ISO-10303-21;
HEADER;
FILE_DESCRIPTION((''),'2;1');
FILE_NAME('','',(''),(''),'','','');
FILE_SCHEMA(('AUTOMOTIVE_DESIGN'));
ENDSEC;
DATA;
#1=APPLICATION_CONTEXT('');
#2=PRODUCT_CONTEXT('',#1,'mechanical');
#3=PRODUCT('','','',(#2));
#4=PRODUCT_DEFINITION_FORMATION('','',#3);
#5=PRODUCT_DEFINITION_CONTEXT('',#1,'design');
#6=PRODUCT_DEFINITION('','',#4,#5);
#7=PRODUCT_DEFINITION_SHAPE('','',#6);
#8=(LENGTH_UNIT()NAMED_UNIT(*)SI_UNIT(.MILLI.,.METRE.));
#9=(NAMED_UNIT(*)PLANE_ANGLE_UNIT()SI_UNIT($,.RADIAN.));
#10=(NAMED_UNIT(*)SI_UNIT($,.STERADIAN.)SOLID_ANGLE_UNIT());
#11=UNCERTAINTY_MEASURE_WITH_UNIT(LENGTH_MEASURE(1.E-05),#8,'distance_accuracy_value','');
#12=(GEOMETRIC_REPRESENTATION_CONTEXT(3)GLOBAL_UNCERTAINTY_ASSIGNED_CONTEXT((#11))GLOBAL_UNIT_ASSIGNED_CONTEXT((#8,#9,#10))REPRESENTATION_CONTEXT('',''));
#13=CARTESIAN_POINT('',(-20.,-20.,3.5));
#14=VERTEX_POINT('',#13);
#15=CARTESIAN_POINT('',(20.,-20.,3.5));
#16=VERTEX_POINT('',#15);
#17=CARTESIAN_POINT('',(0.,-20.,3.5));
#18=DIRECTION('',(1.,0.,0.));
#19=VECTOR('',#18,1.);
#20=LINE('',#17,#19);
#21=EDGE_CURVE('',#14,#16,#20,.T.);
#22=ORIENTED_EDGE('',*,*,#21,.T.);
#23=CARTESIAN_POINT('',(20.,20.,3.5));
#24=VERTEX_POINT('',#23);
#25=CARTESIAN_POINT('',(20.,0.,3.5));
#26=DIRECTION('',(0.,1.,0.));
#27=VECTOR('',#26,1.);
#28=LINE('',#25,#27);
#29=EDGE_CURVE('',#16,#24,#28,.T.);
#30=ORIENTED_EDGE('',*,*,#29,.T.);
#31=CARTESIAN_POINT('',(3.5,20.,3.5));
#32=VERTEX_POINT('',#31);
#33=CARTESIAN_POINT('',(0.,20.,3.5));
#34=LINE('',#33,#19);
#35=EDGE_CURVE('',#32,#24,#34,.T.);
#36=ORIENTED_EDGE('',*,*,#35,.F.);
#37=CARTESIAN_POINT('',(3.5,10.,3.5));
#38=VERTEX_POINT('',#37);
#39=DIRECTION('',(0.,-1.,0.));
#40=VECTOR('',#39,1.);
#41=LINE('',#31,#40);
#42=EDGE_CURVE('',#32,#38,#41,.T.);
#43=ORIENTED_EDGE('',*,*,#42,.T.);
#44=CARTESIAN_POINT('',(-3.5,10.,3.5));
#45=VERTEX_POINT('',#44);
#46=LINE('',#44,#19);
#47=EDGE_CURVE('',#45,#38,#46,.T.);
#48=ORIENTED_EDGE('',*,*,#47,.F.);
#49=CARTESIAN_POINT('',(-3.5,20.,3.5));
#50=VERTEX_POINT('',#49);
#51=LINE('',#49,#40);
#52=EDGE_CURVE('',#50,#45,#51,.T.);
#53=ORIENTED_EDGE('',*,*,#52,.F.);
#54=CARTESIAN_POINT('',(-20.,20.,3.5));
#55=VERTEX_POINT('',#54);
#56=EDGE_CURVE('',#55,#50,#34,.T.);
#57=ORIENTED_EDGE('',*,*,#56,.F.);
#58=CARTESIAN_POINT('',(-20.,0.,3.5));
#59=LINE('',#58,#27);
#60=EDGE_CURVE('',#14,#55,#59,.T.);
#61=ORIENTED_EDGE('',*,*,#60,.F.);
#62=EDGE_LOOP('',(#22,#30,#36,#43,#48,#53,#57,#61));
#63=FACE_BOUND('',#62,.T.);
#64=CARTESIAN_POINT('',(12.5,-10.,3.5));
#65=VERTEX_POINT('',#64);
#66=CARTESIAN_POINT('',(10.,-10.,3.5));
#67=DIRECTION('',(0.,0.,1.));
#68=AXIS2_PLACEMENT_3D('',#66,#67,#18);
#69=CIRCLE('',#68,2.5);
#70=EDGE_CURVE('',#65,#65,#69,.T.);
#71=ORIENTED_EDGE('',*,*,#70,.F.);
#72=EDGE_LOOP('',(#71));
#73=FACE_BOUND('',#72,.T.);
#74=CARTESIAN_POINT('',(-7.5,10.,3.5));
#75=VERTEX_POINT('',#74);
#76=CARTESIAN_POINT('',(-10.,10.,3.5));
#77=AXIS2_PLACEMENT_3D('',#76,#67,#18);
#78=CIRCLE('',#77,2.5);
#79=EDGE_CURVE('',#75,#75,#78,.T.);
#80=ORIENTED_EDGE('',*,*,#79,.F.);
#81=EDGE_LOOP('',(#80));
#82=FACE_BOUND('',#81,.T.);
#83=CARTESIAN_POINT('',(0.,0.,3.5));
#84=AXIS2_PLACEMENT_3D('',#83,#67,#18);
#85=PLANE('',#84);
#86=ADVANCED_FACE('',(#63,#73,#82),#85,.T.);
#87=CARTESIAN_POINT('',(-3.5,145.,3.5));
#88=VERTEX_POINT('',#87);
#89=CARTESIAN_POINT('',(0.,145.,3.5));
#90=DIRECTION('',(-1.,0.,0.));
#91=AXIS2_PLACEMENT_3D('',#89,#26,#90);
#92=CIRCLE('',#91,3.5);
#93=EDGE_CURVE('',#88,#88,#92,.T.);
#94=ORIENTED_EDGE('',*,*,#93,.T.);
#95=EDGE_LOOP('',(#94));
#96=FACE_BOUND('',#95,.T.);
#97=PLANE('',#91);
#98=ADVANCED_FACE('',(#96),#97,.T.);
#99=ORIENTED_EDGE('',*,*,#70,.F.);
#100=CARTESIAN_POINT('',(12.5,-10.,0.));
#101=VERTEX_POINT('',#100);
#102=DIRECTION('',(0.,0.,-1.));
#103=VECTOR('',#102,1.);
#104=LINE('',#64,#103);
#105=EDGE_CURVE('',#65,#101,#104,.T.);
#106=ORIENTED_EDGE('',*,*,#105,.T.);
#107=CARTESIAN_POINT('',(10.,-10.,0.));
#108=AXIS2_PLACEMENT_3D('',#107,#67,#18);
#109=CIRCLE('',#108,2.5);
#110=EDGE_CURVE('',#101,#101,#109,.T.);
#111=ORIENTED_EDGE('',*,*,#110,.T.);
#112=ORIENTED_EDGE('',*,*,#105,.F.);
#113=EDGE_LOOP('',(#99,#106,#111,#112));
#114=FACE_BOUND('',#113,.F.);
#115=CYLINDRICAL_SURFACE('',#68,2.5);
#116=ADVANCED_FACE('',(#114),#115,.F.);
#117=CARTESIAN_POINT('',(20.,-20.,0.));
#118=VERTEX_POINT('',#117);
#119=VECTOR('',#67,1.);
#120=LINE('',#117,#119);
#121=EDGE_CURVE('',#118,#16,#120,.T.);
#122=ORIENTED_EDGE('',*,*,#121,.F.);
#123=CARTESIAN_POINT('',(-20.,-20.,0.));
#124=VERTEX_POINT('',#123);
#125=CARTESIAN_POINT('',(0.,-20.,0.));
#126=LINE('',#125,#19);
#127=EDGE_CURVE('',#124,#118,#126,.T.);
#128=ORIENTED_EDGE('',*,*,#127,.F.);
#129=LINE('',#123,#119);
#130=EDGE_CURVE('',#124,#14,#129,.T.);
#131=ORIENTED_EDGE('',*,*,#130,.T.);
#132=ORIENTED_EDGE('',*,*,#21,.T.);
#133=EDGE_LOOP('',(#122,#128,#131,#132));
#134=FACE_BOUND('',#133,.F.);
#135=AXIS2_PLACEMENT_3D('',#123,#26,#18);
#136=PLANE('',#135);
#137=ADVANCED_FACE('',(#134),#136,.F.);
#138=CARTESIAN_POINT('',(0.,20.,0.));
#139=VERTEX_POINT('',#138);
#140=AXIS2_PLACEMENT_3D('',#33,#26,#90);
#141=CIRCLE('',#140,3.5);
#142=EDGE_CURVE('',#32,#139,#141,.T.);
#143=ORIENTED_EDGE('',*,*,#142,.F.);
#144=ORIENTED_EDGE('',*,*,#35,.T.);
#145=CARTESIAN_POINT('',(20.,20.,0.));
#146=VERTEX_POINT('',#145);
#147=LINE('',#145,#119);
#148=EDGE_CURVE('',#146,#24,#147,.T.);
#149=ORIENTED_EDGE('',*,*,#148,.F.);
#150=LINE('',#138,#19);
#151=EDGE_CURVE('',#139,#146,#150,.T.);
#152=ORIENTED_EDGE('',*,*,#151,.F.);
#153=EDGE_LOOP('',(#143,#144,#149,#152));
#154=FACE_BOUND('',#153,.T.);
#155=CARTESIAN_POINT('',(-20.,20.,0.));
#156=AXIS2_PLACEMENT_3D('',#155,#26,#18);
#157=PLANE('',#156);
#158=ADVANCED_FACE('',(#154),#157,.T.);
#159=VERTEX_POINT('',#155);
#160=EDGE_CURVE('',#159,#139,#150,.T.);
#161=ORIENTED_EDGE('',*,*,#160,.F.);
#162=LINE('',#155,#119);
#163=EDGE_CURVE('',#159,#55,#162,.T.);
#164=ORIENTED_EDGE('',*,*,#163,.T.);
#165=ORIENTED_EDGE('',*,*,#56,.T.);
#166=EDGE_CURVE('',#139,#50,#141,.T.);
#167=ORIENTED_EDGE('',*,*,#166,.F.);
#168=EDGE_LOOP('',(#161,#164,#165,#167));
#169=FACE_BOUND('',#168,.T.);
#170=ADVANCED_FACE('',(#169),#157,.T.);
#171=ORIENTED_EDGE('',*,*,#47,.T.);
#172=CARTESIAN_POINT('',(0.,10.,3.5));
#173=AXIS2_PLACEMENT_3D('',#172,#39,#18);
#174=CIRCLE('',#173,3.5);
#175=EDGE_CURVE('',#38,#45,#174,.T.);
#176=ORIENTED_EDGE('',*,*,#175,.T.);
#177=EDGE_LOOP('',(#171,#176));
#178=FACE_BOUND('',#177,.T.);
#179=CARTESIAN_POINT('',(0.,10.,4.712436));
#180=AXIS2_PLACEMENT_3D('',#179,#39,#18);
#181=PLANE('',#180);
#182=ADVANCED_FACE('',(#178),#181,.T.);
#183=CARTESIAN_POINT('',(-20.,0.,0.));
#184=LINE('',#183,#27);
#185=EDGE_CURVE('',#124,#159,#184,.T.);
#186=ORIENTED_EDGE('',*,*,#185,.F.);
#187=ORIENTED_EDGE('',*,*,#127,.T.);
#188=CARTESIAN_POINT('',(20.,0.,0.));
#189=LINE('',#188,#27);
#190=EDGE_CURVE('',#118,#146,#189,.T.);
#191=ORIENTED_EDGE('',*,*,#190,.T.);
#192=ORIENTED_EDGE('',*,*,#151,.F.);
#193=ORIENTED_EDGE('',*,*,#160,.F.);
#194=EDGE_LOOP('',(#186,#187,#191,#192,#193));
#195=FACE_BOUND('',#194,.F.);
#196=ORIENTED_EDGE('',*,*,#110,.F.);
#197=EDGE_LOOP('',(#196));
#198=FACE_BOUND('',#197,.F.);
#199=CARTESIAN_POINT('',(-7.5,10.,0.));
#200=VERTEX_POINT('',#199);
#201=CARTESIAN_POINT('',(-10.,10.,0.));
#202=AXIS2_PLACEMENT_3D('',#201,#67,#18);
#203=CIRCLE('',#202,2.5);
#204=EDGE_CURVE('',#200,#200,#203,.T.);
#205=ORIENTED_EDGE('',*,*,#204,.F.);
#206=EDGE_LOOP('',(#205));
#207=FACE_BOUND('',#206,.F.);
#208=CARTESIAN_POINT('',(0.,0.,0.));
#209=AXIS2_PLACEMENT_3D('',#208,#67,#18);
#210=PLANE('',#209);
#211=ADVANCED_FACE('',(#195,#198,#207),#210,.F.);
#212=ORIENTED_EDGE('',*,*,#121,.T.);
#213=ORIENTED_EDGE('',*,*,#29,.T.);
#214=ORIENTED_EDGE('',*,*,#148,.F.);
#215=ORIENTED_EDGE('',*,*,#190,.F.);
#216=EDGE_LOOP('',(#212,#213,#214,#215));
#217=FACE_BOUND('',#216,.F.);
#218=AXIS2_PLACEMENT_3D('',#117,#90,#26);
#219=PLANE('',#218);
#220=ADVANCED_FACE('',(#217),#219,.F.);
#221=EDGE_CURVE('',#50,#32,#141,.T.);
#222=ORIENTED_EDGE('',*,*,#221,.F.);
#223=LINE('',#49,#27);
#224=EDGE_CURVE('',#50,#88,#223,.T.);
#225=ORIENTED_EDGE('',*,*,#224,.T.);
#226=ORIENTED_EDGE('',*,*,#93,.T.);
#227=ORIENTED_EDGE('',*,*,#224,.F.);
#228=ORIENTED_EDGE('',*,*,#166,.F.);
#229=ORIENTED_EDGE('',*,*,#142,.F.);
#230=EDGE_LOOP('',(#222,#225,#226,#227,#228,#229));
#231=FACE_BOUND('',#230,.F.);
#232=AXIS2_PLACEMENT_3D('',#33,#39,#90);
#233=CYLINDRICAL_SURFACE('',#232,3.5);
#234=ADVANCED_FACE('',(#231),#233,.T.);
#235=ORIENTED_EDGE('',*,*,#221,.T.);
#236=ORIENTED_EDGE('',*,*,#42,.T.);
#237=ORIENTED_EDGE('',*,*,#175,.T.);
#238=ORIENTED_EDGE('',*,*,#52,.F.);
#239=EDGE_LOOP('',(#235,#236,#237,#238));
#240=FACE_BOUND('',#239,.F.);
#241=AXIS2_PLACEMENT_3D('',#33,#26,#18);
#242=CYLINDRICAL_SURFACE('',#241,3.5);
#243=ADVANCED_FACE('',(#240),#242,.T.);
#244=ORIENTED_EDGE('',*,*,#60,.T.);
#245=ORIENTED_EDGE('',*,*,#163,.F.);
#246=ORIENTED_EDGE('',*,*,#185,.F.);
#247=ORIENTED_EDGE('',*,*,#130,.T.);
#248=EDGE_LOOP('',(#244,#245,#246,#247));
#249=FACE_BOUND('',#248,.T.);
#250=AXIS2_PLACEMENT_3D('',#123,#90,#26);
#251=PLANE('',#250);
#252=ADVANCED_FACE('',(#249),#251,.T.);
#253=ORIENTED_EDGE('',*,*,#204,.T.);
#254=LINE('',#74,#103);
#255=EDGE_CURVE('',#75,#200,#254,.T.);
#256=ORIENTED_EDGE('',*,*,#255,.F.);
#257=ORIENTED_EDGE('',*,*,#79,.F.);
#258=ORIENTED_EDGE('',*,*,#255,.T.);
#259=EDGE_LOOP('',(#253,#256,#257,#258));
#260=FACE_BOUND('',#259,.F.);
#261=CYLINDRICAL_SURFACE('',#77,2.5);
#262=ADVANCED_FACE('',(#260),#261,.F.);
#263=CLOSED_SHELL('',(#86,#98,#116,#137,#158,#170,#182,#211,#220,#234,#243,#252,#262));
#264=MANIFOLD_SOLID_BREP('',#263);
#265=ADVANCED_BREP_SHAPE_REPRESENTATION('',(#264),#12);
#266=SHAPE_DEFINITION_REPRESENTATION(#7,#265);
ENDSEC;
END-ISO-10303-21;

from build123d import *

# Parameters (mm, degrees)
SKETCH_W     = 40
SKETCH_H     = 40
PAD_DEPTH    = 3.5
SKETCH001_R  = 2.5
POCKET_DEPTH = 5
SKETCH002_R  = 3.5
PAD001_DEPTH = 125
PAD002_DEPTH = 10


with BuildPart() as part:
    # Sketch → Pad (new body)
    with BuildSketch(Plane.XY):
        Rectangle(SKETCH_W, SKETCH_H)
    extrude(amount=PAD_DEPTH)

    # Sketch001 (on Face6 of Pad) → Pocket (cut)
    with BuildSketch(Plane.XY.offset(3.5)):
        with Locations((-10, 10)):
            Circle(SKETCH001_R)
        with Locations((10, -10)):
            Circle(SKETCH001_R)
    extrude(amount=-POCKET_DEPTH, mode=Mode.SUBTRACT)

    # Sketch002 (on Face1 of Pocket) → Pad001 (join)
    with BuildSketch(Plane(origin=(0, 20, 0), x_dir=(-1, 0, 0), z_dir=(0, 1, 0))):
        with Locations((0, 3.5)):
            Circle(SKETCH002_R)
    extrude(amount=PAD001_DEPTH)

    # Sketch003 (on Face11 of Pad001) → Pad002 (join)
    with BuildSketch(Plane.XZ.offset(-20)):
        with BuildLine():
            ThreePointArc((3.5, 3.5), (0, 7), (-3.5, 3.5))
            Line((-3.5, 3.5), (3.5, 3.5))
        make_face()
    extrude(amount=PAD002_DEPTH)


solid = part.part
